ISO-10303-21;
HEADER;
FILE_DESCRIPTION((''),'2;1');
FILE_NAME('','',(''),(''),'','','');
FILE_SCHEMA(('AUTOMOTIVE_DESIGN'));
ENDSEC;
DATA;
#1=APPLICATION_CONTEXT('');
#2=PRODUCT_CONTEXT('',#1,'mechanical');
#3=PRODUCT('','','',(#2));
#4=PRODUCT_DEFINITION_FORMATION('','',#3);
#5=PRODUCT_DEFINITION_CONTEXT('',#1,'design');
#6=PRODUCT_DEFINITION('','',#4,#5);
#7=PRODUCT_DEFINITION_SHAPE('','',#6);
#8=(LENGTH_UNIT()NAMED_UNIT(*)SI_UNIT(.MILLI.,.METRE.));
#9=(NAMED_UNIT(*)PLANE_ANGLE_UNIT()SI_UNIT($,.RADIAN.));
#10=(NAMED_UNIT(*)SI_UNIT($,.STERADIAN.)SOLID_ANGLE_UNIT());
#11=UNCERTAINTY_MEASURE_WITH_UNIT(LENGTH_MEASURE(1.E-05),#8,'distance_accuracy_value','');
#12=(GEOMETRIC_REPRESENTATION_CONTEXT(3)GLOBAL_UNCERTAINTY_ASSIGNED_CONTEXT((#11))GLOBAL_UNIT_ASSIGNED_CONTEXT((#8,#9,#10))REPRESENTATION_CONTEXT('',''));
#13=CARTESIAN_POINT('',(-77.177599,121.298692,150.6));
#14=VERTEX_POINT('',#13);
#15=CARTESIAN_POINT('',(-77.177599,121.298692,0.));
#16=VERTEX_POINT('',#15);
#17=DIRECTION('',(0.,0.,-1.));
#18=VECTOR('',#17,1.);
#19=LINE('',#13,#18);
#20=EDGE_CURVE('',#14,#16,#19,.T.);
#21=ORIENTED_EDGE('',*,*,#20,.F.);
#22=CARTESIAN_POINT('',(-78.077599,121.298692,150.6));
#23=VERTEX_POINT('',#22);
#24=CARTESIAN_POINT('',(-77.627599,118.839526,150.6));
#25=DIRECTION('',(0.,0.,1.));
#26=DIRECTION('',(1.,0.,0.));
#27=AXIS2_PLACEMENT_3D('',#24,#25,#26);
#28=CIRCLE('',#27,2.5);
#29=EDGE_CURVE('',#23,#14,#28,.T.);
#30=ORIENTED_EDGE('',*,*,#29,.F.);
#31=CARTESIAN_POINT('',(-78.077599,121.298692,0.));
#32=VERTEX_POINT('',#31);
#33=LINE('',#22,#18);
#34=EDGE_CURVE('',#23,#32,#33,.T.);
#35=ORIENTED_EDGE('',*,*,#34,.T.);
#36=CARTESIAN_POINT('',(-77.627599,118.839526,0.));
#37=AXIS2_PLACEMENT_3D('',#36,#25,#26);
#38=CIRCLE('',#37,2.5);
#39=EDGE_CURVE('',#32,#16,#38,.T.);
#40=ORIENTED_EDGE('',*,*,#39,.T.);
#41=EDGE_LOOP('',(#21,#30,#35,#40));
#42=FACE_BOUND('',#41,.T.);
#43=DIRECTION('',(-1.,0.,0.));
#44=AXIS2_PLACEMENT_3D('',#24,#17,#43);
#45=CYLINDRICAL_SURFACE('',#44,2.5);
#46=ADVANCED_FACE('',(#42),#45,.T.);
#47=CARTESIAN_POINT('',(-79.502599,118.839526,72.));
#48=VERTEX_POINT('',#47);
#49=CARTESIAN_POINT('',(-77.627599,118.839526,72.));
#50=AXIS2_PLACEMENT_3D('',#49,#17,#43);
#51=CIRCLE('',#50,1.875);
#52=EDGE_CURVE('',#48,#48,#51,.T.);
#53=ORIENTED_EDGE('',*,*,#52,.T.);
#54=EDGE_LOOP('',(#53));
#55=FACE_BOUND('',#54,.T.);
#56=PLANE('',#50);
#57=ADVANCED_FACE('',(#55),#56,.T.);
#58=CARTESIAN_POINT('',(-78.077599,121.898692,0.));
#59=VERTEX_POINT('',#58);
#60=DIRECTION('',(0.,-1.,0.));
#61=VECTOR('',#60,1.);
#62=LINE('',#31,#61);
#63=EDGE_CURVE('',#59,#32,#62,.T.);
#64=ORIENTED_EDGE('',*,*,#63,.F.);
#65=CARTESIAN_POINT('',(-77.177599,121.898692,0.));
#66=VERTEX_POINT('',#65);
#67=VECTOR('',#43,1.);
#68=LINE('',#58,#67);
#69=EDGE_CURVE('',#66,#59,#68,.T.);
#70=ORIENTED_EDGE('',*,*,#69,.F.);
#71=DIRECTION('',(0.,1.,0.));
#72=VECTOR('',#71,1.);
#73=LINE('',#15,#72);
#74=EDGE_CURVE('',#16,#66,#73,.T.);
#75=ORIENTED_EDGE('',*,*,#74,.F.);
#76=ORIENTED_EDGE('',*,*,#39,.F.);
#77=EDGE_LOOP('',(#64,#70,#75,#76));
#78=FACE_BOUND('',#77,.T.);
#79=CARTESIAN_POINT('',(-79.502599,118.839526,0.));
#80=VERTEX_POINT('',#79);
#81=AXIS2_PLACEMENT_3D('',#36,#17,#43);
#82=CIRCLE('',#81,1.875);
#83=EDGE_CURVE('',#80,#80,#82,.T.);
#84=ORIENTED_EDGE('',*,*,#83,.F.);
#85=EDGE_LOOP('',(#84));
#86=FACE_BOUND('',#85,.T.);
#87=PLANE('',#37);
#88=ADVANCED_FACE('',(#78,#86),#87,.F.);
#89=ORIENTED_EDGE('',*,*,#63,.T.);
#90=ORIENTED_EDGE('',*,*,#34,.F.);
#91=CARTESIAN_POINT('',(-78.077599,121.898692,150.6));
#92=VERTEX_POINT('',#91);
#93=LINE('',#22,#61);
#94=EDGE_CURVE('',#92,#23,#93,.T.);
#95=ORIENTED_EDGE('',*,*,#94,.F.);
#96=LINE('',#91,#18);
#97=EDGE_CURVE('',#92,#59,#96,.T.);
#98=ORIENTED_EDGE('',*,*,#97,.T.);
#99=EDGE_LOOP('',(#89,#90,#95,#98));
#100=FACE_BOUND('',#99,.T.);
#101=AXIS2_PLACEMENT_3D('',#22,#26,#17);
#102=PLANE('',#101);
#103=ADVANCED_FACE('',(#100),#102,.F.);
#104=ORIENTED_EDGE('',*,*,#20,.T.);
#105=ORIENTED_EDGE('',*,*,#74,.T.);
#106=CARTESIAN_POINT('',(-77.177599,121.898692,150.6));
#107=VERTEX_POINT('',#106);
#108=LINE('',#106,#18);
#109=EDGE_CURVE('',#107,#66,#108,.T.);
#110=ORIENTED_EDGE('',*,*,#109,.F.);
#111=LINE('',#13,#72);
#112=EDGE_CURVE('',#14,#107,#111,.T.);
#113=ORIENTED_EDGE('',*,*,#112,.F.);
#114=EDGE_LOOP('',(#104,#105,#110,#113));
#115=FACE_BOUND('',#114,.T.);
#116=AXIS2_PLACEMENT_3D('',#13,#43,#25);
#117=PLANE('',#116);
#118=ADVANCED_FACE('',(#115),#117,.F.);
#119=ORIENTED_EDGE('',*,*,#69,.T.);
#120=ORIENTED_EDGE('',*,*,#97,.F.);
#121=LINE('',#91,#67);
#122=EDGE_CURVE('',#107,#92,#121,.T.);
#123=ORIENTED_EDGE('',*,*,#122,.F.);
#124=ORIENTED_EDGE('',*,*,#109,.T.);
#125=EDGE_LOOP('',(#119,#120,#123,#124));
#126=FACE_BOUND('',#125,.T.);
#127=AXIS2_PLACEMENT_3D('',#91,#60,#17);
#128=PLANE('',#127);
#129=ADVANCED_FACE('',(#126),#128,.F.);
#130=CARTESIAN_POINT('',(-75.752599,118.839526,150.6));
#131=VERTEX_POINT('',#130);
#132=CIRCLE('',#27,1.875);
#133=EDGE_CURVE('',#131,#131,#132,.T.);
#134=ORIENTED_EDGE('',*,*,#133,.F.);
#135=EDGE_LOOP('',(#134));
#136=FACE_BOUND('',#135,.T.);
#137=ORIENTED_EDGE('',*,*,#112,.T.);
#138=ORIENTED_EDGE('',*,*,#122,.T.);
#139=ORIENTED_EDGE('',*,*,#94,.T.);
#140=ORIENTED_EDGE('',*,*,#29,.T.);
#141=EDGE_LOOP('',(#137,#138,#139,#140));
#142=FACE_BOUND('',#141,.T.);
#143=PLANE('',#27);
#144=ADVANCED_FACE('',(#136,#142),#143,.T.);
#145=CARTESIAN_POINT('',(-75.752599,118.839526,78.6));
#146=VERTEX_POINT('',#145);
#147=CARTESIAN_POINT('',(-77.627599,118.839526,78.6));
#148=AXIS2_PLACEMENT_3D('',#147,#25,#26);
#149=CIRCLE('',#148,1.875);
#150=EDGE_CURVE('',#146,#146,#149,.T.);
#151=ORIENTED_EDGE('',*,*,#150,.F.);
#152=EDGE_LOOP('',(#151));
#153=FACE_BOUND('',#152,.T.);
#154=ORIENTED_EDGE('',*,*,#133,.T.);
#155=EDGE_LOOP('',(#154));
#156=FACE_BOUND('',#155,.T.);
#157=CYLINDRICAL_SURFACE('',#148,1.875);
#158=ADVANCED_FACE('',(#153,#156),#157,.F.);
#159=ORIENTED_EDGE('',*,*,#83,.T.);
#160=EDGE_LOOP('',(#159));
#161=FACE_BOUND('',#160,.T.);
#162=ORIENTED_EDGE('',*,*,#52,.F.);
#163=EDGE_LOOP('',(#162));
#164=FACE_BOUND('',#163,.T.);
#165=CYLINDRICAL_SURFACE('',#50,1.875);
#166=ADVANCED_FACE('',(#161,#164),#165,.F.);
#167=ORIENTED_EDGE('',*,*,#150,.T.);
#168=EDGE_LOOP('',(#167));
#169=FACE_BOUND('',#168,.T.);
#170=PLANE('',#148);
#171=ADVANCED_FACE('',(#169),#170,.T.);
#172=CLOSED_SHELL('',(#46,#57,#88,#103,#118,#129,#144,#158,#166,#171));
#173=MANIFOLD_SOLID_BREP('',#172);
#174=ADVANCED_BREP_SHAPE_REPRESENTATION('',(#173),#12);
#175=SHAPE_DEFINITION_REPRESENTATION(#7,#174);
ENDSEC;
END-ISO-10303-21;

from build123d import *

# Parameters (mm, degrees)
SALIENTE_EXTRUIR1_DEPTH = 150.6
CROQUIS2_R              = 1.875
CORTAR_EXTRUIR1_DEPTH   = 72
CORTAR_EXTRUIR2_START   = -72
CROQUIS3_R              = 1.875
CORTAR_EXTRUIR2_DEPTH   = 72


with BuildPart() as part:
    # Croquis1 → Saliente-Extruir1 (new body)
    with BuildSketch(Plane.XY):
        with BuildLine():
            Line((-78.077598734, 121.298692457), (-78.077598734, 121.898692457))
            Line((-78.077598734, 121.898692457), (-77.177598734, 121.898692457))
            Line((-77.177598734, 121.898692457), (-77.177598734, 121.298692457))
            ThreePointArc((-77.177598734, 121.298692457), (-77.627598734, 116.339525931), (-78.077598734, 121.298692457))
        make_face()
    extrude(amount=SALIENTE_EXTRUIR1_DEPTH)

    # Croquis2 → Cortar-Extruir1 (cut)
    with BuildSketch(Plane.XY.offset(150.6)):
        with Locations((-77.627598734, 118.839525931)):
            Circle(CROQUIS2_R)
    extrude(amount=-CORTAR_EXTRUIR1_DEPTH, mode=Mode.SUBTRACT)

    # Croquis3 → Cortar-Extruir2 (cut)
    with BuildSketch(Plane(origin=(0, 0, 0), x_dir=(-1, 0, 0), z_dir=(0, 0, -1)).offset(CORTAR_EXTRUIR2_START)):
        with Locations(Location((77.627598734, 118.839525931, 0), (0, 0, 180))):
            Circle(CROQUIS3_R)
    extrude(amount=CORTAR_EXTRUIR2_DEPTH, mode=Mode.SUBTRACT)


solid = part.part
